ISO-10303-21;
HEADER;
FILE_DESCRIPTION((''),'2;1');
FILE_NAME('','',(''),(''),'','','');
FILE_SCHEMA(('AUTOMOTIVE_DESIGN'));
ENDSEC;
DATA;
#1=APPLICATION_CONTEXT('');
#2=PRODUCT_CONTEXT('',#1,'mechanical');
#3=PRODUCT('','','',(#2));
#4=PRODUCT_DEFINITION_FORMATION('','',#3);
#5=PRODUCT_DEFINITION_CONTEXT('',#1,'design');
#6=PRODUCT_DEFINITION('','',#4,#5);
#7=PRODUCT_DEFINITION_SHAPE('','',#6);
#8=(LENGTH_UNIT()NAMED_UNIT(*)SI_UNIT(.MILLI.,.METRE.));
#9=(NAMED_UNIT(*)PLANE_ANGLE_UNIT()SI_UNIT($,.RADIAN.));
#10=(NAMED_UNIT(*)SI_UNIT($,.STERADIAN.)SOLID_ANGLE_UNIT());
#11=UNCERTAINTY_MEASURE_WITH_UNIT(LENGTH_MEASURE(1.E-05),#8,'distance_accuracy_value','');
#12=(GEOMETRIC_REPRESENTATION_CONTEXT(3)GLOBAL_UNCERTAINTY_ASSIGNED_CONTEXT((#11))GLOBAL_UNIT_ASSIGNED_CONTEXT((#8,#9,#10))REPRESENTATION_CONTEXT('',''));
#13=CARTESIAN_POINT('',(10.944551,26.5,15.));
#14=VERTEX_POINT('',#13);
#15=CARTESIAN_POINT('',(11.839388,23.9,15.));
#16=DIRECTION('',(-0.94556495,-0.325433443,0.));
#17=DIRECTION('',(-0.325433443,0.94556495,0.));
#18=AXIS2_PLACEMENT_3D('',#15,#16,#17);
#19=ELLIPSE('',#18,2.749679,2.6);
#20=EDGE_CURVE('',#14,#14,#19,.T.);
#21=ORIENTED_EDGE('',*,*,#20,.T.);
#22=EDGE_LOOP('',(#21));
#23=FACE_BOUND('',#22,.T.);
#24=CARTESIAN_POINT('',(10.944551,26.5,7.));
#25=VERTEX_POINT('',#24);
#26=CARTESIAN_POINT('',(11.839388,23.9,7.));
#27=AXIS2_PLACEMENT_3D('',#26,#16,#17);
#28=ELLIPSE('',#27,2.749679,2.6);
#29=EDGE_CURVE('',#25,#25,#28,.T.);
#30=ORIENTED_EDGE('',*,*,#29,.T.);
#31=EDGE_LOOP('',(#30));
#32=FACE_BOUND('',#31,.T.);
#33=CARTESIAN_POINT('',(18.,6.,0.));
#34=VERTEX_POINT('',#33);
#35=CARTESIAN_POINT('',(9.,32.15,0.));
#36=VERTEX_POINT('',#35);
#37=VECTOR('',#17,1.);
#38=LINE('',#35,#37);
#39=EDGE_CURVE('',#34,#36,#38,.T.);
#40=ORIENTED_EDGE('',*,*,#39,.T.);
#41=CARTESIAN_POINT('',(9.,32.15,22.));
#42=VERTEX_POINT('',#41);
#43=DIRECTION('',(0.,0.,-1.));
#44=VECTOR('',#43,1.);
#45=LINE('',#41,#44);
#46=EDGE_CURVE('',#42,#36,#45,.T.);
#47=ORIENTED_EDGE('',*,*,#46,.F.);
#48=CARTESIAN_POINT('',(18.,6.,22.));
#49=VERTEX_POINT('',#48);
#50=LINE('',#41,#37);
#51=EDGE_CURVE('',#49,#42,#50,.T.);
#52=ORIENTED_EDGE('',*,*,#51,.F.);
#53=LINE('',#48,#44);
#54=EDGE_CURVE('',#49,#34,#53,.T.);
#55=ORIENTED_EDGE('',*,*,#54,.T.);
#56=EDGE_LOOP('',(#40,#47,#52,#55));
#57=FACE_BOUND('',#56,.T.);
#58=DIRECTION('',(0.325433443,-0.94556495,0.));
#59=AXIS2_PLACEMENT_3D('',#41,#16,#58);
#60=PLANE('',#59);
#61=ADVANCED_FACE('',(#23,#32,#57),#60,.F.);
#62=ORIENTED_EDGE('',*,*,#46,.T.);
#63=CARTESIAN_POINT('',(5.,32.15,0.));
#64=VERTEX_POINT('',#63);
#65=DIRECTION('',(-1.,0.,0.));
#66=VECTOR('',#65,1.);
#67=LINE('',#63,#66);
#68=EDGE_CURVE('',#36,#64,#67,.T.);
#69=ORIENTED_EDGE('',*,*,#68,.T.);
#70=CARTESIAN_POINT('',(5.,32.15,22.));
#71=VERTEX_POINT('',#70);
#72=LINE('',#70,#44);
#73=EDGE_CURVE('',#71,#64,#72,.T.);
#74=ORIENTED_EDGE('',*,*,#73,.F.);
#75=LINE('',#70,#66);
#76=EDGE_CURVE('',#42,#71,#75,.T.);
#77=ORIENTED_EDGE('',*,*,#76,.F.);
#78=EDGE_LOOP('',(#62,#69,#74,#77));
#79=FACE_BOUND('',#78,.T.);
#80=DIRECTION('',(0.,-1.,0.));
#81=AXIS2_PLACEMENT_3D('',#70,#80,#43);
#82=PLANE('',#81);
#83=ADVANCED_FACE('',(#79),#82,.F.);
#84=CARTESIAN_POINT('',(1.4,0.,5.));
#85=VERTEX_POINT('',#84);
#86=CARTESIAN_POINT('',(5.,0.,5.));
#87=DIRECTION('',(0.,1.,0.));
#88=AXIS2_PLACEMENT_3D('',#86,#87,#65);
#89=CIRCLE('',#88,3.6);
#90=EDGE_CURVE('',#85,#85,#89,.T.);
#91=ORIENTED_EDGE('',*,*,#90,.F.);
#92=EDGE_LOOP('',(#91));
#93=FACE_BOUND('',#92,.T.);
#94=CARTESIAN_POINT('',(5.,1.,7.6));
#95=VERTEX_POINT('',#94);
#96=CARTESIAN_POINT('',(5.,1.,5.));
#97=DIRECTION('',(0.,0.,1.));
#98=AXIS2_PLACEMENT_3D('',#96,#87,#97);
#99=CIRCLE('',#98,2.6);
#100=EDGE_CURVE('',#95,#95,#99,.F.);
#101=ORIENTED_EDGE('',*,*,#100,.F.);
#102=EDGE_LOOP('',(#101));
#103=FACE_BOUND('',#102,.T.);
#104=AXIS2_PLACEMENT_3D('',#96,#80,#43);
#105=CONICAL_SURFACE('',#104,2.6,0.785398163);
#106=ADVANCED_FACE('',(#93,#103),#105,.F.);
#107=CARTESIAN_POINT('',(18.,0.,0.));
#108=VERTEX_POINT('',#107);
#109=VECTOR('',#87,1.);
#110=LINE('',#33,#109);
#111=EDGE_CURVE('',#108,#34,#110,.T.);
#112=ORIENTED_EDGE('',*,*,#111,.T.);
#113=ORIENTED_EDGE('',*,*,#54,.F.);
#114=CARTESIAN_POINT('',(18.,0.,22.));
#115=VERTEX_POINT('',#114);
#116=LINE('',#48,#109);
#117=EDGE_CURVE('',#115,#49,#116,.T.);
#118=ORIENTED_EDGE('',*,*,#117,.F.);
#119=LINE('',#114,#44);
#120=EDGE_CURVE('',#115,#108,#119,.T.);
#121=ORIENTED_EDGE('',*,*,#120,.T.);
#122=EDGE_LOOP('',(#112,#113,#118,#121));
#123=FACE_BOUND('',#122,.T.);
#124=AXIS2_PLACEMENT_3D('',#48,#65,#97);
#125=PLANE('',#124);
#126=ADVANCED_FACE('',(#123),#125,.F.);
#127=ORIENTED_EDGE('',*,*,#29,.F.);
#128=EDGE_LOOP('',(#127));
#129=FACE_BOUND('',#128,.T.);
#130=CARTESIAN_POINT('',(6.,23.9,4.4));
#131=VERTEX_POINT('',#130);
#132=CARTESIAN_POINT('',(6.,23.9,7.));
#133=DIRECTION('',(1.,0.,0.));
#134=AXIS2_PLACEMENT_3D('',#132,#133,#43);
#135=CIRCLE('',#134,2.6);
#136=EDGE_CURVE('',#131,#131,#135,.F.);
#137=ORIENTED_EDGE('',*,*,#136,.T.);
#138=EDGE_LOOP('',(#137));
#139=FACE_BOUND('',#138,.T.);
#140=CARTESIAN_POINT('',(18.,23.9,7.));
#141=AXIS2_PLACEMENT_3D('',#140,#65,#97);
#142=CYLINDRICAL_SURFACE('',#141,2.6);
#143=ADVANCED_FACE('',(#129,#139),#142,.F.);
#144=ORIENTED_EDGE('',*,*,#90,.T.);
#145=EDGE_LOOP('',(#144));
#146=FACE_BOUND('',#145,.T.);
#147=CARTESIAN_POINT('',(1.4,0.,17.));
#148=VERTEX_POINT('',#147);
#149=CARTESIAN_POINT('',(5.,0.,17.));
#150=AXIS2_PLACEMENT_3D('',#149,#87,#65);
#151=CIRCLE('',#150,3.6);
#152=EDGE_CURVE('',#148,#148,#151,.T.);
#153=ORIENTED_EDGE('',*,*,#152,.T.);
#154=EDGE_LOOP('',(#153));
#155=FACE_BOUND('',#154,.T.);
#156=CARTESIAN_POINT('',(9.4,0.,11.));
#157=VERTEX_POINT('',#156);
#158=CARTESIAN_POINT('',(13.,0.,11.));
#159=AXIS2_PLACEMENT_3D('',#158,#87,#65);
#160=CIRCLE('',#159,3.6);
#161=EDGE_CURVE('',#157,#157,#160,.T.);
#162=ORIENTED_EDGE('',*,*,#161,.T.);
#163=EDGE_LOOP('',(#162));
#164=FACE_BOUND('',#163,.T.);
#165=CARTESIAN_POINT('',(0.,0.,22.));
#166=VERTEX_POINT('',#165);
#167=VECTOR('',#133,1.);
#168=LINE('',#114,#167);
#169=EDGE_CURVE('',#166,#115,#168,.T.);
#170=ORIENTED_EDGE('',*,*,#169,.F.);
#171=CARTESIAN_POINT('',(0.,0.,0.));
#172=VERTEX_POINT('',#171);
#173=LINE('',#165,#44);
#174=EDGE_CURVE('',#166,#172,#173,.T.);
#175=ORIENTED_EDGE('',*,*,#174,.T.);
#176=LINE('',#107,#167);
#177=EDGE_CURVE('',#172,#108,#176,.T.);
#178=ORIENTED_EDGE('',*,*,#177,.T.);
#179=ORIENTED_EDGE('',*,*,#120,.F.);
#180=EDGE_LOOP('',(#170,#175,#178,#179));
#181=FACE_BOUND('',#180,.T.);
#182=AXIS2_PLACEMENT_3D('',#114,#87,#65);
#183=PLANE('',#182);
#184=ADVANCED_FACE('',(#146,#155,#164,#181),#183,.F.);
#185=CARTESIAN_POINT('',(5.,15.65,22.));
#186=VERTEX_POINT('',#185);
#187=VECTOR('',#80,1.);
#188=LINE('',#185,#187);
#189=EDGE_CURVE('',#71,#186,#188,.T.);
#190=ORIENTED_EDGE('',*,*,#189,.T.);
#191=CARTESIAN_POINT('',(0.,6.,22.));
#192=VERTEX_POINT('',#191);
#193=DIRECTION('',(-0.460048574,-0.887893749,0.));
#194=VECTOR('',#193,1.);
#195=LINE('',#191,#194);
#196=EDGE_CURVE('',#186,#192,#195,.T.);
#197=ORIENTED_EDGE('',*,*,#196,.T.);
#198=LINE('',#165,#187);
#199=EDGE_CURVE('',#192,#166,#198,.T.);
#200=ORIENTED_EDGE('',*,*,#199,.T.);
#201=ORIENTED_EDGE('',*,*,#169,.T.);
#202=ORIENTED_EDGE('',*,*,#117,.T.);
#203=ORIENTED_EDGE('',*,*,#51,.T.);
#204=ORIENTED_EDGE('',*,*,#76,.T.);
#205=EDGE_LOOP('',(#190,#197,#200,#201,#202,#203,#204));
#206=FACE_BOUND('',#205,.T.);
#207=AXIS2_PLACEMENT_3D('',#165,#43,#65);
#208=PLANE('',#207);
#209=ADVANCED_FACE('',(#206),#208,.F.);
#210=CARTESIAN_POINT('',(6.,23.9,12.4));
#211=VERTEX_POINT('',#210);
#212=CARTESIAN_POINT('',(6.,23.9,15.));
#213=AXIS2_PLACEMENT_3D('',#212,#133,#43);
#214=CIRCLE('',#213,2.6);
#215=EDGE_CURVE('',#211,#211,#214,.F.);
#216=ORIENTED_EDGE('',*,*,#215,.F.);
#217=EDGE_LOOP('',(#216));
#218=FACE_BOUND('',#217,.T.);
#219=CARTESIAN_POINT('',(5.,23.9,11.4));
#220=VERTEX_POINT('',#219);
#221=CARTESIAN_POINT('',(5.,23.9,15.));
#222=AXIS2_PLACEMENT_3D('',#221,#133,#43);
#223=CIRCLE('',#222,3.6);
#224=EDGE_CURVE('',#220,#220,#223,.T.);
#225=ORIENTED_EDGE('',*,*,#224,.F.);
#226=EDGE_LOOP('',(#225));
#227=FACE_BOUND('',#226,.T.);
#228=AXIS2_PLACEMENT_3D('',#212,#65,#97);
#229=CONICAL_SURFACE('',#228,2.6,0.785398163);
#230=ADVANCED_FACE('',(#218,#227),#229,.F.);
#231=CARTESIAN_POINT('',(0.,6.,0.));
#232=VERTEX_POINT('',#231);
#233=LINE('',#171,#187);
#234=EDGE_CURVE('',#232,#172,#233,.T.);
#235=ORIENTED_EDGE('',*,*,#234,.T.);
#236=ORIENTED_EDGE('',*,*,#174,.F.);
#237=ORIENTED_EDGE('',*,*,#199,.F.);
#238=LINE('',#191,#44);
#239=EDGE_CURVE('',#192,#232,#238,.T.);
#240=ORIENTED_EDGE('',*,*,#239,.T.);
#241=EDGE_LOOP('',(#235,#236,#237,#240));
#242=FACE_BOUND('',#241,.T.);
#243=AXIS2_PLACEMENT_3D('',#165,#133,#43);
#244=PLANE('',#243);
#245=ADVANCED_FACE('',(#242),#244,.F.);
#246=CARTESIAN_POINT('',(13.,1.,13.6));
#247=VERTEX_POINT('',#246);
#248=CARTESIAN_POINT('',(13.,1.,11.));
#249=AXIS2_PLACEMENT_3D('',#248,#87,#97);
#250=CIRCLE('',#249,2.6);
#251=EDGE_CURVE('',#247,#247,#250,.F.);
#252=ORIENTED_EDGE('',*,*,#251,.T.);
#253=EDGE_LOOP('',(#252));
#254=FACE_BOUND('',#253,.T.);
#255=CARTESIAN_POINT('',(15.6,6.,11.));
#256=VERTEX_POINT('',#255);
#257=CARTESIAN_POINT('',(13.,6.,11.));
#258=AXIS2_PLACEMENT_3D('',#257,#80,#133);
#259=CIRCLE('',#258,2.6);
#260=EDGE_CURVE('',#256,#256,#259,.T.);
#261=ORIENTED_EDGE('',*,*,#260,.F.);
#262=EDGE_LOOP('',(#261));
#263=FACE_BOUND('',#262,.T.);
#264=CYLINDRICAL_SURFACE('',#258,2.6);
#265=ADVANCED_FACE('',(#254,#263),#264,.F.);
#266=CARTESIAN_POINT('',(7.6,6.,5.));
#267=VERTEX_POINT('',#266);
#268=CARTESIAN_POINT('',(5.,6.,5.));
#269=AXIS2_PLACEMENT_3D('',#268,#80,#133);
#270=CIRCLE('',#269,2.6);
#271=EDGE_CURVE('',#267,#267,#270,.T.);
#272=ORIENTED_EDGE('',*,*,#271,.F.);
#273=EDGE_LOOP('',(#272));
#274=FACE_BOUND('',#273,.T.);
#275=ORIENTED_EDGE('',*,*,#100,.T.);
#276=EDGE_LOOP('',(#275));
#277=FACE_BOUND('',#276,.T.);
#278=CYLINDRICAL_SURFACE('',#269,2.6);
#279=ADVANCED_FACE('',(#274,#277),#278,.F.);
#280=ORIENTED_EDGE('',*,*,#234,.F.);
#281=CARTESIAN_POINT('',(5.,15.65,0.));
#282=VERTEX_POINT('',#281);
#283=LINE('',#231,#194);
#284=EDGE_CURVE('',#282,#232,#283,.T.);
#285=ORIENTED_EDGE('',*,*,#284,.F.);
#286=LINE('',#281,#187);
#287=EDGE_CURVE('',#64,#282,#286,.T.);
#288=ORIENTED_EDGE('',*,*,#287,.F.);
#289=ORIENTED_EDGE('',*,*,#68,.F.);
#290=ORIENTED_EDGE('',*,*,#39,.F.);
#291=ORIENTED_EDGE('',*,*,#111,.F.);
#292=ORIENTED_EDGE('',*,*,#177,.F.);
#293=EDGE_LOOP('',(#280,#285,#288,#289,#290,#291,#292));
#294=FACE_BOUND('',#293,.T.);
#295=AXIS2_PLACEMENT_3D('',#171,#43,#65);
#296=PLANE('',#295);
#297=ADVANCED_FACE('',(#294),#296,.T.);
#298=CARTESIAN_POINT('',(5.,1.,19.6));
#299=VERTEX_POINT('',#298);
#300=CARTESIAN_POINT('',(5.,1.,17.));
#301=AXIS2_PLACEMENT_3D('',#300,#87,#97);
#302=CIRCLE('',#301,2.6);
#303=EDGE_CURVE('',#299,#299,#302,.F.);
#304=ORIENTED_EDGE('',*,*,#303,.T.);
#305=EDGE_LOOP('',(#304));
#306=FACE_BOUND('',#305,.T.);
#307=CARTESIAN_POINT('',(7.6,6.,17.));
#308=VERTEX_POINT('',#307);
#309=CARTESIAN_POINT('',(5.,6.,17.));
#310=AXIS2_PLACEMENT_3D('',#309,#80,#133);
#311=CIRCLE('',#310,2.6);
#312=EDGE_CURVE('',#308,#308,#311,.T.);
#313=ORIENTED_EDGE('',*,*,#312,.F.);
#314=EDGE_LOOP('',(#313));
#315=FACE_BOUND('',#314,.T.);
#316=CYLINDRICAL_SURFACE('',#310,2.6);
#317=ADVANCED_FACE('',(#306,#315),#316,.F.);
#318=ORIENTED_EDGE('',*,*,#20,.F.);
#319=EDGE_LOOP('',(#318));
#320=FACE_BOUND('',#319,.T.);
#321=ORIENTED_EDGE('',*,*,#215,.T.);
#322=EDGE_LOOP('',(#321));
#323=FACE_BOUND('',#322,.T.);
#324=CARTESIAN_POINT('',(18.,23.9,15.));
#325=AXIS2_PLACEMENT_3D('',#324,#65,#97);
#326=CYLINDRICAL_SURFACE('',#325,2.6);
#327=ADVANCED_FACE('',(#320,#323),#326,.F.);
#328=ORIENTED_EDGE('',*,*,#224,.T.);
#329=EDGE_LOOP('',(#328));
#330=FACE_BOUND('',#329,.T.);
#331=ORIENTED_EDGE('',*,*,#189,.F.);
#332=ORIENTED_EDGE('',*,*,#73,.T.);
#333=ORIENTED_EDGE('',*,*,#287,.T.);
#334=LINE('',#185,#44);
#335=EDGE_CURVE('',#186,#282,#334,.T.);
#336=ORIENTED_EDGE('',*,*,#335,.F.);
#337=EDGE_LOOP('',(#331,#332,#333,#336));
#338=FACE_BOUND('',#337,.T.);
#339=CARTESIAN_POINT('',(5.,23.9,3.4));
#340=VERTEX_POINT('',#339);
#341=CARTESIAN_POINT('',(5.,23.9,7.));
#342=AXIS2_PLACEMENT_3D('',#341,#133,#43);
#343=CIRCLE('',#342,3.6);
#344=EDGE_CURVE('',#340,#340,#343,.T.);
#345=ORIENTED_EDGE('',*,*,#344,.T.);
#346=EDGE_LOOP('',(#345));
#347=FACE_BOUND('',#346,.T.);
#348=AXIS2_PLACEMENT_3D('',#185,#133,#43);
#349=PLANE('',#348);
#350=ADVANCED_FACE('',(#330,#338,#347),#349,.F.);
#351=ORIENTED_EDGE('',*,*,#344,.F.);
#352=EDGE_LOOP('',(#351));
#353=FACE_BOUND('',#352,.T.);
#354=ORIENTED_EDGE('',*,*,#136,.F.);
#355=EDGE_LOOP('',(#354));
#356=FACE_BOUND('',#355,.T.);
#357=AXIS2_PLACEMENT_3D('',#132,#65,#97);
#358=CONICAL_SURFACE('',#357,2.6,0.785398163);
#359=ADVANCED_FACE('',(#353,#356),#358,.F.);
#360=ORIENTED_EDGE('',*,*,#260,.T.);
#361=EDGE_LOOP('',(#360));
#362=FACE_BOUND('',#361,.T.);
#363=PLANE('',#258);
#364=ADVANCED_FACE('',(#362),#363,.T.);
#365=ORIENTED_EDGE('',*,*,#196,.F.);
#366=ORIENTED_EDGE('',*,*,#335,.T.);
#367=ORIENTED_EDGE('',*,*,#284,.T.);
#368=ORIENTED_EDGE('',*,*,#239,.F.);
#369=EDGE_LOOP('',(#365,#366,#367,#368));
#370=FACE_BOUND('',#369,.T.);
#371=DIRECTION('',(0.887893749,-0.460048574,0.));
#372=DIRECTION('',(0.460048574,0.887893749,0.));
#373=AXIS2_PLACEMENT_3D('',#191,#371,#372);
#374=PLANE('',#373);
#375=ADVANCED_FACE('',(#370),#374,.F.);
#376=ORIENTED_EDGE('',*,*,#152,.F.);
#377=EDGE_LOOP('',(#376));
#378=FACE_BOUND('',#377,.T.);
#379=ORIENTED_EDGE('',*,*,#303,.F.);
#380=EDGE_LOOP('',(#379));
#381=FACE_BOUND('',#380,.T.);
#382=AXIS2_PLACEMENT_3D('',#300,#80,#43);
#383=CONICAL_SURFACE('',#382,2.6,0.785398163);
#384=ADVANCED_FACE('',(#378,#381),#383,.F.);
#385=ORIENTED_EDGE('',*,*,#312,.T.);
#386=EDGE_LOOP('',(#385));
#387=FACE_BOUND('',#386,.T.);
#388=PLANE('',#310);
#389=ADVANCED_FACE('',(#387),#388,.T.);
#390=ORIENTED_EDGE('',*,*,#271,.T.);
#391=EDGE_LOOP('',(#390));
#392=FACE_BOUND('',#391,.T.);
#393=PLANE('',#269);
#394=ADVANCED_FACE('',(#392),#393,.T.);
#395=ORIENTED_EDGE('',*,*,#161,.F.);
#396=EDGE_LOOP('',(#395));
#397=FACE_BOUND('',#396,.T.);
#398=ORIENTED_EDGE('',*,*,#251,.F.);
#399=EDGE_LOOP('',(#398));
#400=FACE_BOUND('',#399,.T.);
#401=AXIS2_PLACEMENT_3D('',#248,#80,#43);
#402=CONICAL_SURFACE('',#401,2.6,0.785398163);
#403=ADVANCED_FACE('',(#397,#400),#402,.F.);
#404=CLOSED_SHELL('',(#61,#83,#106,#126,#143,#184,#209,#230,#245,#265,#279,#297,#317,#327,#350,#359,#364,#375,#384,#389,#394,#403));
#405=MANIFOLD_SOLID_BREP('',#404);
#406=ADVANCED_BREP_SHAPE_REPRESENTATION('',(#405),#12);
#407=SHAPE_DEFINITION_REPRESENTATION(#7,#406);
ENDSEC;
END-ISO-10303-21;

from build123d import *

# Parameters (mm, degrees)
BOSS_EXTRUDE1_DEPTH = 22
SKETCH2_R           = 2.6
CUT_EXTRUDE1_DEPTH  = 14
SKETCH3_R           = 2.6
CUT_EXTRUDE2_DEPTH  = 6
CHAMFER1_SIZE       = 1


with BuildPart() as part:
    # Sketch1 → Boss-Extrude1 (new body)
    with BuildSketch(Plane.XY):
        Polygon((0, 0), (0, 6), (5, 15.65), (5, 32.15), (9, 32.15), (18, 6), (18, 0), align=None)
    extrude(amount=BOSS_EXTRUDE1_DEPTH)

    # Sketch2 → Cut-Extrude1 (cut, through all)
    with BuildSketch(Plane.ZY.offset(-5)):
        with Locations((7, 23.9)):
            Circle(SKETCH2_R)
        with Locations((15, 23.9)):
            Circle(SKETCH2_R)
    extrude(amount=-CUT_EXTRUDE1_DEPTH, mode=Mode.SUBTRACT)

    # Sketch3 → Cut-Extrude2 (cut)
    with BuildSketch(Plane.XZ):
        with Locations((5, 17)):
            Circle(SKETCH3_R)
        with Locations((13, 11)):
            Circle(SKETCH3_R)
        with Locations((5, 5)):
            Circle(SKETCH3_R)
    extrude(amount=-CUT_EXTRUDE2_DEPTH, mode=Mode.SUBTRACT)

    # Chamfer1
    chamfer1_edges = [part.edges().sort_by_distance(p)[0] for p in [
        (5, 23.9, 4.4),
        (5, 23.9, 12.4),
        (2.4, 0, 17),
        (10.4, 0, 11),
        (2.4, 0, 5),
    ]]
    chamfer(chamfer1_edges, length=CHAMFER1_SIZE)


solid = part.part
